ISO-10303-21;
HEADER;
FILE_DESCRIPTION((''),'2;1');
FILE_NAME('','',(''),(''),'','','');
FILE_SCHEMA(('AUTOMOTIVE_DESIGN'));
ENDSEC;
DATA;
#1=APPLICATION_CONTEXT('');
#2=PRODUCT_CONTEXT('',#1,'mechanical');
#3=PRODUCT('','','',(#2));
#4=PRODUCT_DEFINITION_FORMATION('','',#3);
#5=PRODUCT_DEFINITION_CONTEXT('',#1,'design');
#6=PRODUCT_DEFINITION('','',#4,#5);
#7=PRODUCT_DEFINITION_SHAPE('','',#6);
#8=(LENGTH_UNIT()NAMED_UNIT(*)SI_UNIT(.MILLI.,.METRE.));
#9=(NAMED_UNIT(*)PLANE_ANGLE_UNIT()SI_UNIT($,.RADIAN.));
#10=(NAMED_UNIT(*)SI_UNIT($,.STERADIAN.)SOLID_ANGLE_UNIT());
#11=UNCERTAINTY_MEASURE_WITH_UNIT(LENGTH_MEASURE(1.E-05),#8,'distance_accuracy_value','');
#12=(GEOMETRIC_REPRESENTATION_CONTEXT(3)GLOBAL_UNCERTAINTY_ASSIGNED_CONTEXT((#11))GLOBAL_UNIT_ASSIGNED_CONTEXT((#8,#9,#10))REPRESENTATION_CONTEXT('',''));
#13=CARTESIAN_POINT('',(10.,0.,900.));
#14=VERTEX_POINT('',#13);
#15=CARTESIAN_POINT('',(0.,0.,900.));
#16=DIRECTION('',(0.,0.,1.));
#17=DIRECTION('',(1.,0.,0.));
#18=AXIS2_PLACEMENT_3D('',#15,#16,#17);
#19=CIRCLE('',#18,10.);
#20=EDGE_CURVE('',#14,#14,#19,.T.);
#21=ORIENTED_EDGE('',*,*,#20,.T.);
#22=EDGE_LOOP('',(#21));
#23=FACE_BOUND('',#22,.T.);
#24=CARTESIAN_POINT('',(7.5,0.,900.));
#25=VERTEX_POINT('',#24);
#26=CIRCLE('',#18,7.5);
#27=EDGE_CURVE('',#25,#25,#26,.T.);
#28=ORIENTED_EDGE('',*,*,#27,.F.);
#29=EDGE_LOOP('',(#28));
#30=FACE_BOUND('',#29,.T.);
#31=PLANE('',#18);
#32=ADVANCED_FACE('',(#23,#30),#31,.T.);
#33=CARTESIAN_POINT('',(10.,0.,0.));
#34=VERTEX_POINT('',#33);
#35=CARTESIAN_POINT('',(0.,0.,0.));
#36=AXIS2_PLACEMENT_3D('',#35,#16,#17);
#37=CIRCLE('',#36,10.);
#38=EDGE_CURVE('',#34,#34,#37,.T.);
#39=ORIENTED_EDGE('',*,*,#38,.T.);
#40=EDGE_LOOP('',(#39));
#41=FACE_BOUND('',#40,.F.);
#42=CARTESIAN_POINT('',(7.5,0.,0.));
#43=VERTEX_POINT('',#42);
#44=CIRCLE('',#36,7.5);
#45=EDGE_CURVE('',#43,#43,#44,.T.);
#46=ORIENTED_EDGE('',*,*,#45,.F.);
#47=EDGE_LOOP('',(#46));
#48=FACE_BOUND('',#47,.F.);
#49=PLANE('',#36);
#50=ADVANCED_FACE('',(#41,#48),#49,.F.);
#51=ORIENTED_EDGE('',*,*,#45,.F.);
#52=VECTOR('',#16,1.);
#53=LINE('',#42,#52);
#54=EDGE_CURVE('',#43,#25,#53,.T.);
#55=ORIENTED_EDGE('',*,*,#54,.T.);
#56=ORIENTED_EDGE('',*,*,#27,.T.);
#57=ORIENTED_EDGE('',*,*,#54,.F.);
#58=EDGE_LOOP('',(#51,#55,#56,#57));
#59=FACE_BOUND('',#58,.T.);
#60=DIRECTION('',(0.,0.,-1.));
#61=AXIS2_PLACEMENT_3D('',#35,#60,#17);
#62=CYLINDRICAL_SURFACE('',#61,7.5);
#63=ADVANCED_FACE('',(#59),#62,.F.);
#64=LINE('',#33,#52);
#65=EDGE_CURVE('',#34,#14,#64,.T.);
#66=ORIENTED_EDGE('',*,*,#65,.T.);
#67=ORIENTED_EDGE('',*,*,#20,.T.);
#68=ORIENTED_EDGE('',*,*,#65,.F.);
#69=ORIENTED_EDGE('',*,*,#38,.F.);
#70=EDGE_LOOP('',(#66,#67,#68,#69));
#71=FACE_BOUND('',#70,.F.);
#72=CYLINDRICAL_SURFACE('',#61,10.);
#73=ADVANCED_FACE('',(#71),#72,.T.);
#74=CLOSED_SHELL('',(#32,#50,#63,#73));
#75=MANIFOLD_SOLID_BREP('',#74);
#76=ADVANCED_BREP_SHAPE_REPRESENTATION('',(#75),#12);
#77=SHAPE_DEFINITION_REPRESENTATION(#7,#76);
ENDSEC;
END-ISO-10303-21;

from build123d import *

# Parameters (mm, degrees)
CYLINDER001_R     = 7.5
CYLINDER001_DEPTH = 900
CYLINDER_R        = 10
CYLINDER_DEPTH    = 900


with BuildPart() as cylinder001:
    # Cylinder001 → Cylinder001 (new body)
    with BuildSketch(Plane.XY):
        Circle(CYLINDER001_R)
    extrude(amount=CYLINDER001_DEPTH)


with BuildPart() as tubebase:
    # Cylinder → Cylinder (new body)
    with BuildSketch(Plane.XY):
        Circle(CYLINDER_R)
    extrude(amount=CYLINDER_DEPTH)

    # Cut: cut Cylinder001
    add(cylinder001.part, mode=Mode.SUBTRACT)


solid = tubebase.part
